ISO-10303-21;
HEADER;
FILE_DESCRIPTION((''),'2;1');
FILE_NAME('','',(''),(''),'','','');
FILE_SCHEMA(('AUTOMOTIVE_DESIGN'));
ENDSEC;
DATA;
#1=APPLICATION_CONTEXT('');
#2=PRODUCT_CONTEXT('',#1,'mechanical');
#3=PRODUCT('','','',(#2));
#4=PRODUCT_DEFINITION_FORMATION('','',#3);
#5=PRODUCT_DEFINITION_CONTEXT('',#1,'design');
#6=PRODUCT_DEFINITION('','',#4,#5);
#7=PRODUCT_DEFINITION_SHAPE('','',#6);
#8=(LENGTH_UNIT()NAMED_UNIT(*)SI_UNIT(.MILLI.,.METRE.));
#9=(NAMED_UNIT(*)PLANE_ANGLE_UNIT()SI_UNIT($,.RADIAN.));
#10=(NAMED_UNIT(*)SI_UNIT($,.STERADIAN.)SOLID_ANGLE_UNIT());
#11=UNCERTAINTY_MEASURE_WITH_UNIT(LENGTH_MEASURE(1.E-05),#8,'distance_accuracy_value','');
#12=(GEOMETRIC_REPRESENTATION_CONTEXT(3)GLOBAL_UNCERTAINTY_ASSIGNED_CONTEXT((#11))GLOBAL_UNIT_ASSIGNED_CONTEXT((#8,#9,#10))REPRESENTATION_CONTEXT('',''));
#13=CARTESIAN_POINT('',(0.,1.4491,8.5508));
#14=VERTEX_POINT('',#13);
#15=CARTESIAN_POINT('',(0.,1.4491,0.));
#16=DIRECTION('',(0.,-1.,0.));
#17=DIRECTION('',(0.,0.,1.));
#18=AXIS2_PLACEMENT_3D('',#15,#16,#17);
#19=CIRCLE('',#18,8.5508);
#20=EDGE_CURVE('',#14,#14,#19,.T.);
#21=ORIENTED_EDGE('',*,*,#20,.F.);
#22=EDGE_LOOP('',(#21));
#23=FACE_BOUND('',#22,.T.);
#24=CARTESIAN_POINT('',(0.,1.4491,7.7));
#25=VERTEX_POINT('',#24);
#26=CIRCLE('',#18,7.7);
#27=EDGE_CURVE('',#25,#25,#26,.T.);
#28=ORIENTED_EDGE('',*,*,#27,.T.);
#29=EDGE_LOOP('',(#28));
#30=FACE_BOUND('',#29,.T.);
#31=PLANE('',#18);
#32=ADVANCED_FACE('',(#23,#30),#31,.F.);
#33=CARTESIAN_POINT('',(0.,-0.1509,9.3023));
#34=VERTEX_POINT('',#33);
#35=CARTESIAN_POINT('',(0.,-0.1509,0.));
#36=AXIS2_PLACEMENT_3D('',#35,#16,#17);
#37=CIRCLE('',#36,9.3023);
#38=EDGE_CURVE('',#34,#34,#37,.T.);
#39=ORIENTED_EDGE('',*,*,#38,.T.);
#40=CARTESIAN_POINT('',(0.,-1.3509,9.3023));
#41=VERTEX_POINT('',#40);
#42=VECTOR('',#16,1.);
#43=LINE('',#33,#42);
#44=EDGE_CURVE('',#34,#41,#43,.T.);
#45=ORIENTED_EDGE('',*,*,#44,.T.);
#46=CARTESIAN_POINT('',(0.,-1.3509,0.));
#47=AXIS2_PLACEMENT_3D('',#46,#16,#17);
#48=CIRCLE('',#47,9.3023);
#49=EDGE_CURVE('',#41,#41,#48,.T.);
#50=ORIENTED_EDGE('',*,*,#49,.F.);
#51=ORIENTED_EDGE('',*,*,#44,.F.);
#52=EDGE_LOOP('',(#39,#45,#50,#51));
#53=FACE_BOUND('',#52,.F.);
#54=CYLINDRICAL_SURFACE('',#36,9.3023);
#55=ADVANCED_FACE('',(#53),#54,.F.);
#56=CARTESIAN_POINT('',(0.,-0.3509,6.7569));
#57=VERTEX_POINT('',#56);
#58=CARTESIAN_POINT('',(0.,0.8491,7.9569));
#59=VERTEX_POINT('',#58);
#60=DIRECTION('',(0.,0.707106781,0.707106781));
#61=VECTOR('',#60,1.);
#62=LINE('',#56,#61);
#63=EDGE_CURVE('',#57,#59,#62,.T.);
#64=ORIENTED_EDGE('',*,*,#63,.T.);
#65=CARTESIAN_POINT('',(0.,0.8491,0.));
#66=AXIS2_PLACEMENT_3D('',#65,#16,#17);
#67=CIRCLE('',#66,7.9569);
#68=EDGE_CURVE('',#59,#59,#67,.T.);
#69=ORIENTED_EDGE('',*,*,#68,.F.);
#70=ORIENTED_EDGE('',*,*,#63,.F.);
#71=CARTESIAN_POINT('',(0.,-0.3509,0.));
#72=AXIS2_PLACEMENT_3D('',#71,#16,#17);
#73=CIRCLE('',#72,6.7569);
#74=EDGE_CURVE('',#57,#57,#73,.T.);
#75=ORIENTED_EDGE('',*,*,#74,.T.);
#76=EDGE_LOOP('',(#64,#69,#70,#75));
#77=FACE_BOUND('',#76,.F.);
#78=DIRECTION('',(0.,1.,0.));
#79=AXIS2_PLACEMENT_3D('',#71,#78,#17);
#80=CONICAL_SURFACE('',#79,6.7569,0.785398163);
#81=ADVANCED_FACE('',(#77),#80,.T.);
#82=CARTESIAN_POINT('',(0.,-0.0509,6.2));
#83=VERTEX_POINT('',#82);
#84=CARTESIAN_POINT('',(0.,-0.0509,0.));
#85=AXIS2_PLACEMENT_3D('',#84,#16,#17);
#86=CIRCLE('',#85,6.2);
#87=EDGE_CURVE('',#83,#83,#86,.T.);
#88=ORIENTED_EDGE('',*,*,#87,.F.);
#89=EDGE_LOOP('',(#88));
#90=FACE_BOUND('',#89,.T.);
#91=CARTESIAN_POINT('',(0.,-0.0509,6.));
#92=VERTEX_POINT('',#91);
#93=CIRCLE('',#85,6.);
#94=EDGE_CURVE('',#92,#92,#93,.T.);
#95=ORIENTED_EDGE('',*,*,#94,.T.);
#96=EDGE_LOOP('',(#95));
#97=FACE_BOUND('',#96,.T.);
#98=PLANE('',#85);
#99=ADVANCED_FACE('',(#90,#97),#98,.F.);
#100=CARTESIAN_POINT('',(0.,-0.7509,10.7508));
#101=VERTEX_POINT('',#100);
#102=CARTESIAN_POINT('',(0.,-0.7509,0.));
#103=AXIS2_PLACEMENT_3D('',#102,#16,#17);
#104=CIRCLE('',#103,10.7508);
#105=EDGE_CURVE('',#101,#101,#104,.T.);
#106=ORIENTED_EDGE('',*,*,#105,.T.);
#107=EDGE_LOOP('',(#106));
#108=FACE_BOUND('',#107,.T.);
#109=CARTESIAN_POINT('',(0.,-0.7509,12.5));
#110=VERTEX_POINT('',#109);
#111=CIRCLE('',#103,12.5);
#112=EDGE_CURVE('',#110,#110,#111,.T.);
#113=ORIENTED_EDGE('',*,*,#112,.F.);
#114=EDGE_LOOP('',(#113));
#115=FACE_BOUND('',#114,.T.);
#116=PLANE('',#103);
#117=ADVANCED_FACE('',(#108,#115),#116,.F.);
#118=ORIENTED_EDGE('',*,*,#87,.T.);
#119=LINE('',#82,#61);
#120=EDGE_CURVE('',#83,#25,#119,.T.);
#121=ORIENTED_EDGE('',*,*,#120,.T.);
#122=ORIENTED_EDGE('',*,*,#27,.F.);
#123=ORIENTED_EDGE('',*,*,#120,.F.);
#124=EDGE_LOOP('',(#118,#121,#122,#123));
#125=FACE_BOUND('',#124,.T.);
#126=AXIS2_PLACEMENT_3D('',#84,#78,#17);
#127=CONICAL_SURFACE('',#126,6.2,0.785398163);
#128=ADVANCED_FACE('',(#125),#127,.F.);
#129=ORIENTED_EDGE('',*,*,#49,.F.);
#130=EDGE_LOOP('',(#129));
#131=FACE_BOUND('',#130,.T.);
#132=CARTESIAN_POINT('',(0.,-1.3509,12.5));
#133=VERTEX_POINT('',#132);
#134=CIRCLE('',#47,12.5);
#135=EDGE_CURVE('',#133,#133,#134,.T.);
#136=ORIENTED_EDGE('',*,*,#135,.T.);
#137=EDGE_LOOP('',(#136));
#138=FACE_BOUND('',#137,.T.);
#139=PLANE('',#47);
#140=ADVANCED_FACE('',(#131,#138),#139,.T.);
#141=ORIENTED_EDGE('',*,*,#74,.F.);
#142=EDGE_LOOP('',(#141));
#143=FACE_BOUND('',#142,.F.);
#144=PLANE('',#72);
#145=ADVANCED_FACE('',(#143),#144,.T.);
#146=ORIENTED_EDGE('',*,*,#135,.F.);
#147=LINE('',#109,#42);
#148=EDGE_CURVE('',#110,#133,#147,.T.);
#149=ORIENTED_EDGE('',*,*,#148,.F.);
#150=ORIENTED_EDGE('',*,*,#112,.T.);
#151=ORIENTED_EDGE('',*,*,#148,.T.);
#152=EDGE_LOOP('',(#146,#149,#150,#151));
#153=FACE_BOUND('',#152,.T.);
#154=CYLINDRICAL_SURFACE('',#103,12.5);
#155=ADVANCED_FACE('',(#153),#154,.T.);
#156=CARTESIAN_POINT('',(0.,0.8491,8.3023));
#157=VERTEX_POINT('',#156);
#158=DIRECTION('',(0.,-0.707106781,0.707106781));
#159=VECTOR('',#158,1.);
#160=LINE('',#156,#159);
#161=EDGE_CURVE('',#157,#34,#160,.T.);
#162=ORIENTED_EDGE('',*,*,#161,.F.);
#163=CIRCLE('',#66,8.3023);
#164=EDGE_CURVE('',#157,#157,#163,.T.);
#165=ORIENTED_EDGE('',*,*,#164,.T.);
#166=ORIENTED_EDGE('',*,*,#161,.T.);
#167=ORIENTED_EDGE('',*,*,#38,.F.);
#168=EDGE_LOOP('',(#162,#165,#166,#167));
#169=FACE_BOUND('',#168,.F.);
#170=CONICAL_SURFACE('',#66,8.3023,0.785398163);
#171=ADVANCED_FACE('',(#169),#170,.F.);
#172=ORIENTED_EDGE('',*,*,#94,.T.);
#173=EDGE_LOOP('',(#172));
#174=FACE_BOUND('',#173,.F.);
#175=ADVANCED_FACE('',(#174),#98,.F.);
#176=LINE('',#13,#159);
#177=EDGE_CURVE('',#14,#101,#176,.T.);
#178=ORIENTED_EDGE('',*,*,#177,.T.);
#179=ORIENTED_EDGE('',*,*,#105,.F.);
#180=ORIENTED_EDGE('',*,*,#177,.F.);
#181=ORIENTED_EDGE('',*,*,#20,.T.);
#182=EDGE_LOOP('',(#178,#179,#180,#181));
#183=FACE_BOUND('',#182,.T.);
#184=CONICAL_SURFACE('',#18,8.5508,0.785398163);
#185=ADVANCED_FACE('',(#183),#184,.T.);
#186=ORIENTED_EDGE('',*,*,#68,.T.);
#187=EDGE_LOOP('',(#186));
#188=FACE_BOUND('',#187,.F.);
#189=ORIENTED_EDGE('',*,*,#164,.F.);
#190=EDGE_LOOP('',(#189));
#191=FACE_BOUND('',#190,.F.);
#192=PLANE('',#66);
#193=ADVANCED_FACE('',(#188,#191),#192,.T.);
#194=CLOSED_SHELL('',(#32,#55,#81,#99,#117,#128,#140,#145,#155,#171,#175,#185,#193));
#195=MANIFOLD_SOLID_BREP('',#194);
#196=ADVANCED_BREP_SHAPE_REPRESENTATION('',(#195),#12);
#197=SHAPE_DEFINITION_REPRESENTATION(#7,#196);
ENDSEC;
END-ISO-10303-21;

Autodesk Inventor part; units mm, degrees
ref_plane "YZ Plane" through (0, 0, 0) normal (1, 0, 0) x (0, 1, 0)
ref_plane "XZ Plane" through (0, 0, 0) normal (0, 1, 0) x (-1, 0, 0)
ref_plane "XY Plane" through (0, 0, 0) normal (0, 0, 1) x (1, 0, 0)
sketch "Skizze1" plane through (0, 0, 0) normal (1, 0, 0) x (0, 1, 0)
  line L0 (3, 8.0893) -> (5.1212, 8.0893) construction
  line L1 (-0.0509, -6) -> (0.0741, -6) construction
  line L2 (0.0741, -6) -> (0.0741, 6) construction
  line L3 (0.0741, 6) -> (-0.0509, 6) construction
  line L4 (-0.0509, 6) -> (-0.0509, -6) construction
  line L5 (-0.0509, -6) -> (0.0741, 6) construction
  line L6 (0.0741, -6) -> (-0.0509, 6) construction
  line L7 (-0.0509, 6) -> (-0.0509, 0)
  line L8 (-0.0509, 0) -> (-0.3509, 0)
  line L9 (-0.3509, 0) -> (-0.3509, 6.7569)
  line L10 (-0.3509, 6.7569) -> (0.8491, 7.9569)
  line L11 (0.8491, 7.9569) -> (0.8491, 8.3023)
  line L12 (-0.0509, 6) -> (-0.0509, 6.2)
  line L13 (-0.0509, 6.2) -> (1.4491, 7.7)
  line L14 (1.4491, 7.7) -> (1.4491, 8.5508)
  line L15 (1.4491, 8.5508) -> (-0.7509, 10.7508)
  line L16 (-1.3509, 12.5) -> (-1.3509, 9.3023)
  line L17 (0.8491, 8.3023) -> (-0.1509, 9.3023)
  line L18 (-0.1509, 9.3023) -> (-1.3509, 9.3023)
  line L19 (-0.7509, 10.7508) -> (-0.7509, 12.5)
  line L20 (-0.7509, 12.5) -> (-1.3509, 12.5)
  point P0 (0.0116, 0)
  point P1 (0.0116, 0)
  dimension "d14" = 0.125
  dimension "d15" = 12
  dimension "d16" = 0.3
  dimension "d18" = 135
  dimension "d20" = 0.2
  dimension "d27" = 135
  dimension "d28" = 1
  dimension "d29" = 1.2
  dimension "d30" = 0.6
  dimension "d31" = 0.6
  dimension "d34" = 1
  dimension "d36" = 0.6
  dimension "d37" = 12.5
revolve "Umdrehung1" add sketch "Skizze1" angle 360 about axis through (0, -0.0509, 0) along (0, -1, 0)
properties part number "50_ETL_Membrane_v0"
